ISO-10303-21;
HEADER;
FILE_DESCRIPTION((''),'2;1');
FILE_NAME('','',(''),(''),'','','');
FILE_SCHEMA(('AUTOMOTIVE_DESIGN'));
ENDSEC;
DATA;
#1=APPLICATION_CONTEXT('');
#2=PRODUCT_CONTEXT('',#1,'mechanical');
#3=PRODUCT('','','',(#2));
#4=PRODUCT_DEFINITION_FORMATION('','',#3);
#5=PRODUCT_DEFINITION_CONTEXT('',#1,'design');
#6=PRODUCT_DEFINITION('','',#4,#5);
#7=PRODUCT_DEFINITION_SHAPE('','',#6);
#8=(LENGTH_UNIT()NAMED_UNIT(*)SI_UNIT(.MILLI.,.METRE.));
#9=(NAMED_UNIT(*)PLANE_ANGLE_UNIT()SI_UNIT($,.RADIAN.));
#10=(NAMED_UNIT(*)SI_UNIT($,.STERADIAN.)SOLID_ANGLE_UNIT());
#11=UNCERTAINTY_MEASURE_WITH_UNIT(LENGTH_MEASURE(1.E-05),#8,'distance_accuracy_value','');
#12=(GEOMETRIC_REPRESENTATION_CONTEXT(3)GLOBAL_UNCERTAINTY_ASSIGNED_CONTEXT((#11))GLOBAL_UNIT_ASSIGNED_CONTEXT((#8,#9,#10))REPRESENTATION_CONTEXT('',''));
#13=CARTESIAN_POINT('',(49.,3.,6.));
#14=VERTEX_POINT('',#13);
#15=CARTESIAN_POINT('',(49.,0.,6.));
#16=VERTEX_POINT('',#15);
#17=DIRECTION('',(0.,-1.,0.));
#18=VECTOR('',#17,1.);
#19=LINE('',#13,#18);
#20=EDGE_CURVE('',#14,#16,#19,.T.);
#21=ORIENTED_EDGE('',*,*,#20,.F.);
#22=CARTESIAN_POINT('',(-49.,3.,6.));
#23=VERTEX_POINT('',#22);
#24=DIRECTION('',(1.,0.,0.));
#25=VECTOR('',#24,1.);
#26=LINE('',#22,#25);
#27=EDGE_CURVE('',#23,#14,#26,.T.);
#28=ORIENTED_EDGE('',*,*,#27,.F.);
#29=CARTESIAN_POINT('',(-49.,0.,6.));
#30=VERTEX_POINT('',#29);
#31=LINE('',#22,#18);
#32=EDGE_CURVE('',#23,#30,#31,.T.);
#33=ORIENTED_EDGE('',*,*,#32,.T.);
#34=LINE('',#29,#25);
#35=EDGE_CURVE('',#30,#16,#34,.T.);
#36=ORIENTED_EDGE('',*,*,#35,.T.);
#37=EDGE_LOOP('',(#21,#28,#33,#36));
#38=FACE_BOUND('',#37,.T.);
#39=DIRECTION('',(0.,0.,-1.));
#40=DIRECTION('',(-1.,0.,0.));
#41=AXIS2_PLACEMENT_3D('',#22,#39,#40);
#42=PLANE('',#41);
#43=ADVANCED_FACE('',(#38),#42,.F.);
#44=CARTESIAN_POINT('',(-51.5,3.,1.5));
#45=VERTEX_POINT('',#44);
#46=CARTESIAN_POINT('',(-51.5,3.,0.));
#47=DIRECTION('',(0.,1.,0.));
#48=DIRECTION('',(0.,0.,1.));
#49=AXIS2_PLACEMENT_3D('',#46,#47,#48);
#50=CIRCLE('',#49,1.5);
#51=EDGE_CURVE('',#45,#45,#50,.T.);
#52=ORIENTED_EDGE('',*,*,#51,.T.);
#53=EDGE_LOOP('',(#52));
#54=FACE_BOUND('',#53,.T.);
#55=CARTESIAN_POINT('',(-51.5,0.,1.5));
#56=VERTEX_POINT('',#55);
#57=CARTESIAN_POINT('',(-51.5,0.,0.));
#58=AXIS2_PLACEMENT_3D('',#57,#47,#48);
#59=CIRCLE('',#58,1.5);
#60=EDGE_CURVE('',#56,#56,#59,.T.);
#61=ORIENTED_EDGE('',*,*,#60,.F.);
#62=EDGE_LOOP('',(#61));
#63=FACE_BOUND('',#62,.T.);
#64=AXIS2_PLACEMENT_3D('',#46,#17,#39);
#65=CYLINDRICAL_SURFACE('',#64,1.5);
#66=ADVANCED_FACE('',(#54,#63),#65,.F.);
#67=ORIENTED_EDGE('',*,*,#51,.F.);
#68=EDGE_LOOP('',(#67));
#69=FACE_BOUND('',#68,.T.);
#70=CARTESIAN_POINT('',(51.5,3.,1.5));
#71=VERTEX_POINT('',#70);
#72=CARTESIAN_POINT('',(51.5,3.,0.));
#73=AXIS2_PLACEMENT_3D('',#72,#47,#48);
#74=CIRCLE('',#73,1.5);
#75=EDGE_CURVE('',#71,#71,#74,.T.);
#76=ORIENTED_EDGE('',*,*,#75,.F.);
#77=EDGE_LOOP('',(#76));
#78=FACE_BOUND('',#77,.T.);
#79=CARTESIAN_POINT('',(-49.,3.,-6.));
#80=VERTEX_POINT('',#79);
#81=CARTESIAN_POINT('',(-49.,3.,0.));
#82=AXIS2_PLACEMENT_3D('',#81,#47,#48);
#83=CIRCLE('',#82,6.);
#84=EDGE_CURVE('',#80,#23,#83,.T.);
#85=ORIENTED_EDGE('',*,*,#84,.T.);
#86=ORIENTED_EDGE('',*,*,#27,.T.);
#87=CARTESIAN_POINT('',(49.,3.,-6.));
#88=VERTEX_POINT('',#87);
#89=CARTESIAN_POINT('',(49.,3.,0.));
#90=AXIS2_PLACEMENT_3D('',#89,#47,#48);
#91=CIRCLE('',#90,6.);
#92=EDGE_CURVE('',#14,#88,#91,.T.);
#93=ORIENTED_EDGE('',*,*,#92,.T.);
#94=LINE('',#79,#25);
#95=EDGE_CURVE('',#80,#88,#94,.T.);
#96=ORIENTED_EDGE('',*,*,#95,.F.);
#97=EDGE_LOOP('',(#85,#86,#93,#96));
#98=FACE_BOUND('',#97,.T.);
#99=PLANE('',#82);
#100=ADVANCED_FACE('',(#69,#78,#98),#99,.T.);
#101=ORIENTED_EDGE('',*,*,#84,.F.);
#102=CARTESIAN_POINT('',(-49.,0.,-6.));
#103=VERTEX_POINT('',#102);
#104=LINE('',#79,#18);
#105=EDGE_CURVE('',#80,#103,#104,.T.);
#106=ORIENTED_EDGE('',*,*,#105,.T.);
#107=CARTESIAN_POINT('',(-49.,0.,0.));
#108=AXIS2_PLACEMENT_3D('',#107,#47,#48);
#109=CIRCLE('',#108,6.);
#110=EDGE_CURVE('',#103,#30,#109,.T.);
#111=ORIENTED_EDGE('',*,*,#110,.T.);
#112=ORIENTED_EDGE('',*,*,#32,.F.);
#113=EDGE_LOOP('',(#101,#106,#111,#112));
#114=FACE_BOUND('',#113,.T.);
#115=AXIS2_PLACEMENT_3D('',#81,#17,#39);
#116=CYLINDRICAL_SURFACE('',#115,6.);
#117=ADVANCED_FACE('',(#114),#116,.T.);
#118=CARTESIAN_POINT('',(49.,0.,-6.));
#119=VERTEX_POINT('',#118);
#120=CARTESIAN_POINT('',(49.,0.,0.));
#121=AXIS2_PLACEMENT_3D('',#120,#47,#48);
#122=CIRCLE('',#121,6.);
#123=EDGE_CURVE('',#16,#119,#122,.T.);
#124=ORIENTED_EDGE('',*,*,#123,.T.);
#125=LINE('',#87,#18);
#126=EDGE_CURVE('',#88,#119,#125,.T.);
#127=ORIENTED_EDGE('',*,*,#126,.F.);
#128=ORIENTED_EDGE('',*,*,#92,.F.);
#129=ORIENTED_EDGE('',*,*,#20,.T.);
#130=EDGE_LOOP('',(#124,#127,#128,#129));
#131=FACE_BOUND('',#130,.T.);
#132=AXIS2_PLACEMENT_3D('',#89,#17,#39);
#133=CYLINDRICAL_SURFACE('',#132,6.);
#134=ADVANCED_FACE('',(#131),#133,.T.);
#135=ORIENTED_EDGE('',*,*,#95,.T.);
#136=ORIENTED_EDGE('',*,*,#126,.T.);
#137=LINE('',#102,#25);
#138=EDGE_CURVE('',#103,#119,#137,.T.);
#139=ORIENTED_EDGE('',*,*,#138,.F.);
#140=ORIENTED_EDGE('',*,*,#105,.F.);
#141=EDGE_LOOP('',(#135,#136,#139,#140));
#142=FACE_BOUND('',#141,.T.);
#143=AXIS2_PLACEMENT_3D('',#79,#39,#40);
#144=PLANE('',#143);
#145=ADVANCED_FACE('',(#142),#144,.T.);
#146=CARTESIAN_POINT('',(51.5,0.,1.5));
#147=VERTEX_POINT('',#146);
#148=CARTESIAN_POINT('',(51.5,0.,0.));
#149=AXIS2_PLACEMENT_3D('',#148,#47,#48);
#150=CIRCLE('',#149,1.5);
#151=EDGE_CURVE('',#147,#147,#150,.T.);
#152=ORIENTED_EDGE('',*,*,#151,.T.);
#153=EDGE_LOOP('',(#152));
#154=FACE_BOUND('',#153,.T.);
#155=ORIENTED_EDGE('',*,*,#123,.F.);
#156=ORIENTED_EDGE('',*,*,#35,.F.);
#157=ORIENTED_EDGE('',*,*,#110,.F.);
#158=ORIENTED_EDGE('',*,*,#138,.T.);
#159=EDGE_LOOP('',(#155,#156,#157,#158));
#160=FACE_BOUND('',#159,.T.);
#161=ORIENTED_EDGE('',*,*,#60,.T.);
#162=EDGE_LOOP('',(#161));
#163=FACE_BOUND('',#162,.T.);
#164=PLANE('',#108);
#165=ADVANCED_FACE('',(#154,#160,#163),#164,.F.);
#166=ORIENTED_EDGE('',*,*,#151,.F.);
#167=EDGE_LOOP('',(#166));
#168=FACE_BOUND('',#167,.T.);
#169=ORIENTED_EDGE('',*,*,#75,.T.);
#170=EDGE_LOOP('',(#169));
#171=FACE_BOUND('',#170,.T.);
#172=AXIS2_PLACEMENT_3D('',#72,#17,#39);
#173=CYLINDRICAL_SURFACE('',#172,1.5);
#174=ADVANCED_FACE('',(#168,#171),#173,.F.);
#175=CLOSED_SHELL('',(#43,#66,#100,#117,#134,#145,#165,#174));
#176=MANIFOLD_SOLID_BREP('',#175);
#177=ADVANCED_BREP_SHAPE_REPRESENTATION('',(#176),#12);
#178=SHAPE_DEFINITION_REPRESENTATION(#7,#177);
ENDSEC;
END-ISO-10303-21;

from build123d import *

# Parameters (mm, degrees)
SKETCH1_R           = 1.5
BOSS_EXTRUDE1_DEPTH = 3


with BuildPart() as part:
    # Sketch1 → Boss-Extrude1 (new body)
    with BuildSketch(Plane(origin=(0, 0, 0), x_dir=(1, 0, 0), z_dir=(0, 1, 0))):
        with BuildLine():
            Line((-49, 6), (49, 6))
            ThreePointArc((49, 6), (55, 0), (49, -6))
            Line((49, -6), (-49, -6))
            ThreePointArc((-49, -6), (-55, 0), (-49, 6))
        make_face()
        with Locations(Location((-51.5, 0, 0), (0, 0, 270))):
            Circle(SKETCH1_R, mode=Mode.SUBTRACT)
        with Locations(Location((51.5, 0, 0), (0, 0, 270))):
            Circle(SKETCH1_R, mode=Mode.SUBTRACT)
    extrude(amount=BOSS_EXTRUDE1_DEPTH)


solid = part.part
